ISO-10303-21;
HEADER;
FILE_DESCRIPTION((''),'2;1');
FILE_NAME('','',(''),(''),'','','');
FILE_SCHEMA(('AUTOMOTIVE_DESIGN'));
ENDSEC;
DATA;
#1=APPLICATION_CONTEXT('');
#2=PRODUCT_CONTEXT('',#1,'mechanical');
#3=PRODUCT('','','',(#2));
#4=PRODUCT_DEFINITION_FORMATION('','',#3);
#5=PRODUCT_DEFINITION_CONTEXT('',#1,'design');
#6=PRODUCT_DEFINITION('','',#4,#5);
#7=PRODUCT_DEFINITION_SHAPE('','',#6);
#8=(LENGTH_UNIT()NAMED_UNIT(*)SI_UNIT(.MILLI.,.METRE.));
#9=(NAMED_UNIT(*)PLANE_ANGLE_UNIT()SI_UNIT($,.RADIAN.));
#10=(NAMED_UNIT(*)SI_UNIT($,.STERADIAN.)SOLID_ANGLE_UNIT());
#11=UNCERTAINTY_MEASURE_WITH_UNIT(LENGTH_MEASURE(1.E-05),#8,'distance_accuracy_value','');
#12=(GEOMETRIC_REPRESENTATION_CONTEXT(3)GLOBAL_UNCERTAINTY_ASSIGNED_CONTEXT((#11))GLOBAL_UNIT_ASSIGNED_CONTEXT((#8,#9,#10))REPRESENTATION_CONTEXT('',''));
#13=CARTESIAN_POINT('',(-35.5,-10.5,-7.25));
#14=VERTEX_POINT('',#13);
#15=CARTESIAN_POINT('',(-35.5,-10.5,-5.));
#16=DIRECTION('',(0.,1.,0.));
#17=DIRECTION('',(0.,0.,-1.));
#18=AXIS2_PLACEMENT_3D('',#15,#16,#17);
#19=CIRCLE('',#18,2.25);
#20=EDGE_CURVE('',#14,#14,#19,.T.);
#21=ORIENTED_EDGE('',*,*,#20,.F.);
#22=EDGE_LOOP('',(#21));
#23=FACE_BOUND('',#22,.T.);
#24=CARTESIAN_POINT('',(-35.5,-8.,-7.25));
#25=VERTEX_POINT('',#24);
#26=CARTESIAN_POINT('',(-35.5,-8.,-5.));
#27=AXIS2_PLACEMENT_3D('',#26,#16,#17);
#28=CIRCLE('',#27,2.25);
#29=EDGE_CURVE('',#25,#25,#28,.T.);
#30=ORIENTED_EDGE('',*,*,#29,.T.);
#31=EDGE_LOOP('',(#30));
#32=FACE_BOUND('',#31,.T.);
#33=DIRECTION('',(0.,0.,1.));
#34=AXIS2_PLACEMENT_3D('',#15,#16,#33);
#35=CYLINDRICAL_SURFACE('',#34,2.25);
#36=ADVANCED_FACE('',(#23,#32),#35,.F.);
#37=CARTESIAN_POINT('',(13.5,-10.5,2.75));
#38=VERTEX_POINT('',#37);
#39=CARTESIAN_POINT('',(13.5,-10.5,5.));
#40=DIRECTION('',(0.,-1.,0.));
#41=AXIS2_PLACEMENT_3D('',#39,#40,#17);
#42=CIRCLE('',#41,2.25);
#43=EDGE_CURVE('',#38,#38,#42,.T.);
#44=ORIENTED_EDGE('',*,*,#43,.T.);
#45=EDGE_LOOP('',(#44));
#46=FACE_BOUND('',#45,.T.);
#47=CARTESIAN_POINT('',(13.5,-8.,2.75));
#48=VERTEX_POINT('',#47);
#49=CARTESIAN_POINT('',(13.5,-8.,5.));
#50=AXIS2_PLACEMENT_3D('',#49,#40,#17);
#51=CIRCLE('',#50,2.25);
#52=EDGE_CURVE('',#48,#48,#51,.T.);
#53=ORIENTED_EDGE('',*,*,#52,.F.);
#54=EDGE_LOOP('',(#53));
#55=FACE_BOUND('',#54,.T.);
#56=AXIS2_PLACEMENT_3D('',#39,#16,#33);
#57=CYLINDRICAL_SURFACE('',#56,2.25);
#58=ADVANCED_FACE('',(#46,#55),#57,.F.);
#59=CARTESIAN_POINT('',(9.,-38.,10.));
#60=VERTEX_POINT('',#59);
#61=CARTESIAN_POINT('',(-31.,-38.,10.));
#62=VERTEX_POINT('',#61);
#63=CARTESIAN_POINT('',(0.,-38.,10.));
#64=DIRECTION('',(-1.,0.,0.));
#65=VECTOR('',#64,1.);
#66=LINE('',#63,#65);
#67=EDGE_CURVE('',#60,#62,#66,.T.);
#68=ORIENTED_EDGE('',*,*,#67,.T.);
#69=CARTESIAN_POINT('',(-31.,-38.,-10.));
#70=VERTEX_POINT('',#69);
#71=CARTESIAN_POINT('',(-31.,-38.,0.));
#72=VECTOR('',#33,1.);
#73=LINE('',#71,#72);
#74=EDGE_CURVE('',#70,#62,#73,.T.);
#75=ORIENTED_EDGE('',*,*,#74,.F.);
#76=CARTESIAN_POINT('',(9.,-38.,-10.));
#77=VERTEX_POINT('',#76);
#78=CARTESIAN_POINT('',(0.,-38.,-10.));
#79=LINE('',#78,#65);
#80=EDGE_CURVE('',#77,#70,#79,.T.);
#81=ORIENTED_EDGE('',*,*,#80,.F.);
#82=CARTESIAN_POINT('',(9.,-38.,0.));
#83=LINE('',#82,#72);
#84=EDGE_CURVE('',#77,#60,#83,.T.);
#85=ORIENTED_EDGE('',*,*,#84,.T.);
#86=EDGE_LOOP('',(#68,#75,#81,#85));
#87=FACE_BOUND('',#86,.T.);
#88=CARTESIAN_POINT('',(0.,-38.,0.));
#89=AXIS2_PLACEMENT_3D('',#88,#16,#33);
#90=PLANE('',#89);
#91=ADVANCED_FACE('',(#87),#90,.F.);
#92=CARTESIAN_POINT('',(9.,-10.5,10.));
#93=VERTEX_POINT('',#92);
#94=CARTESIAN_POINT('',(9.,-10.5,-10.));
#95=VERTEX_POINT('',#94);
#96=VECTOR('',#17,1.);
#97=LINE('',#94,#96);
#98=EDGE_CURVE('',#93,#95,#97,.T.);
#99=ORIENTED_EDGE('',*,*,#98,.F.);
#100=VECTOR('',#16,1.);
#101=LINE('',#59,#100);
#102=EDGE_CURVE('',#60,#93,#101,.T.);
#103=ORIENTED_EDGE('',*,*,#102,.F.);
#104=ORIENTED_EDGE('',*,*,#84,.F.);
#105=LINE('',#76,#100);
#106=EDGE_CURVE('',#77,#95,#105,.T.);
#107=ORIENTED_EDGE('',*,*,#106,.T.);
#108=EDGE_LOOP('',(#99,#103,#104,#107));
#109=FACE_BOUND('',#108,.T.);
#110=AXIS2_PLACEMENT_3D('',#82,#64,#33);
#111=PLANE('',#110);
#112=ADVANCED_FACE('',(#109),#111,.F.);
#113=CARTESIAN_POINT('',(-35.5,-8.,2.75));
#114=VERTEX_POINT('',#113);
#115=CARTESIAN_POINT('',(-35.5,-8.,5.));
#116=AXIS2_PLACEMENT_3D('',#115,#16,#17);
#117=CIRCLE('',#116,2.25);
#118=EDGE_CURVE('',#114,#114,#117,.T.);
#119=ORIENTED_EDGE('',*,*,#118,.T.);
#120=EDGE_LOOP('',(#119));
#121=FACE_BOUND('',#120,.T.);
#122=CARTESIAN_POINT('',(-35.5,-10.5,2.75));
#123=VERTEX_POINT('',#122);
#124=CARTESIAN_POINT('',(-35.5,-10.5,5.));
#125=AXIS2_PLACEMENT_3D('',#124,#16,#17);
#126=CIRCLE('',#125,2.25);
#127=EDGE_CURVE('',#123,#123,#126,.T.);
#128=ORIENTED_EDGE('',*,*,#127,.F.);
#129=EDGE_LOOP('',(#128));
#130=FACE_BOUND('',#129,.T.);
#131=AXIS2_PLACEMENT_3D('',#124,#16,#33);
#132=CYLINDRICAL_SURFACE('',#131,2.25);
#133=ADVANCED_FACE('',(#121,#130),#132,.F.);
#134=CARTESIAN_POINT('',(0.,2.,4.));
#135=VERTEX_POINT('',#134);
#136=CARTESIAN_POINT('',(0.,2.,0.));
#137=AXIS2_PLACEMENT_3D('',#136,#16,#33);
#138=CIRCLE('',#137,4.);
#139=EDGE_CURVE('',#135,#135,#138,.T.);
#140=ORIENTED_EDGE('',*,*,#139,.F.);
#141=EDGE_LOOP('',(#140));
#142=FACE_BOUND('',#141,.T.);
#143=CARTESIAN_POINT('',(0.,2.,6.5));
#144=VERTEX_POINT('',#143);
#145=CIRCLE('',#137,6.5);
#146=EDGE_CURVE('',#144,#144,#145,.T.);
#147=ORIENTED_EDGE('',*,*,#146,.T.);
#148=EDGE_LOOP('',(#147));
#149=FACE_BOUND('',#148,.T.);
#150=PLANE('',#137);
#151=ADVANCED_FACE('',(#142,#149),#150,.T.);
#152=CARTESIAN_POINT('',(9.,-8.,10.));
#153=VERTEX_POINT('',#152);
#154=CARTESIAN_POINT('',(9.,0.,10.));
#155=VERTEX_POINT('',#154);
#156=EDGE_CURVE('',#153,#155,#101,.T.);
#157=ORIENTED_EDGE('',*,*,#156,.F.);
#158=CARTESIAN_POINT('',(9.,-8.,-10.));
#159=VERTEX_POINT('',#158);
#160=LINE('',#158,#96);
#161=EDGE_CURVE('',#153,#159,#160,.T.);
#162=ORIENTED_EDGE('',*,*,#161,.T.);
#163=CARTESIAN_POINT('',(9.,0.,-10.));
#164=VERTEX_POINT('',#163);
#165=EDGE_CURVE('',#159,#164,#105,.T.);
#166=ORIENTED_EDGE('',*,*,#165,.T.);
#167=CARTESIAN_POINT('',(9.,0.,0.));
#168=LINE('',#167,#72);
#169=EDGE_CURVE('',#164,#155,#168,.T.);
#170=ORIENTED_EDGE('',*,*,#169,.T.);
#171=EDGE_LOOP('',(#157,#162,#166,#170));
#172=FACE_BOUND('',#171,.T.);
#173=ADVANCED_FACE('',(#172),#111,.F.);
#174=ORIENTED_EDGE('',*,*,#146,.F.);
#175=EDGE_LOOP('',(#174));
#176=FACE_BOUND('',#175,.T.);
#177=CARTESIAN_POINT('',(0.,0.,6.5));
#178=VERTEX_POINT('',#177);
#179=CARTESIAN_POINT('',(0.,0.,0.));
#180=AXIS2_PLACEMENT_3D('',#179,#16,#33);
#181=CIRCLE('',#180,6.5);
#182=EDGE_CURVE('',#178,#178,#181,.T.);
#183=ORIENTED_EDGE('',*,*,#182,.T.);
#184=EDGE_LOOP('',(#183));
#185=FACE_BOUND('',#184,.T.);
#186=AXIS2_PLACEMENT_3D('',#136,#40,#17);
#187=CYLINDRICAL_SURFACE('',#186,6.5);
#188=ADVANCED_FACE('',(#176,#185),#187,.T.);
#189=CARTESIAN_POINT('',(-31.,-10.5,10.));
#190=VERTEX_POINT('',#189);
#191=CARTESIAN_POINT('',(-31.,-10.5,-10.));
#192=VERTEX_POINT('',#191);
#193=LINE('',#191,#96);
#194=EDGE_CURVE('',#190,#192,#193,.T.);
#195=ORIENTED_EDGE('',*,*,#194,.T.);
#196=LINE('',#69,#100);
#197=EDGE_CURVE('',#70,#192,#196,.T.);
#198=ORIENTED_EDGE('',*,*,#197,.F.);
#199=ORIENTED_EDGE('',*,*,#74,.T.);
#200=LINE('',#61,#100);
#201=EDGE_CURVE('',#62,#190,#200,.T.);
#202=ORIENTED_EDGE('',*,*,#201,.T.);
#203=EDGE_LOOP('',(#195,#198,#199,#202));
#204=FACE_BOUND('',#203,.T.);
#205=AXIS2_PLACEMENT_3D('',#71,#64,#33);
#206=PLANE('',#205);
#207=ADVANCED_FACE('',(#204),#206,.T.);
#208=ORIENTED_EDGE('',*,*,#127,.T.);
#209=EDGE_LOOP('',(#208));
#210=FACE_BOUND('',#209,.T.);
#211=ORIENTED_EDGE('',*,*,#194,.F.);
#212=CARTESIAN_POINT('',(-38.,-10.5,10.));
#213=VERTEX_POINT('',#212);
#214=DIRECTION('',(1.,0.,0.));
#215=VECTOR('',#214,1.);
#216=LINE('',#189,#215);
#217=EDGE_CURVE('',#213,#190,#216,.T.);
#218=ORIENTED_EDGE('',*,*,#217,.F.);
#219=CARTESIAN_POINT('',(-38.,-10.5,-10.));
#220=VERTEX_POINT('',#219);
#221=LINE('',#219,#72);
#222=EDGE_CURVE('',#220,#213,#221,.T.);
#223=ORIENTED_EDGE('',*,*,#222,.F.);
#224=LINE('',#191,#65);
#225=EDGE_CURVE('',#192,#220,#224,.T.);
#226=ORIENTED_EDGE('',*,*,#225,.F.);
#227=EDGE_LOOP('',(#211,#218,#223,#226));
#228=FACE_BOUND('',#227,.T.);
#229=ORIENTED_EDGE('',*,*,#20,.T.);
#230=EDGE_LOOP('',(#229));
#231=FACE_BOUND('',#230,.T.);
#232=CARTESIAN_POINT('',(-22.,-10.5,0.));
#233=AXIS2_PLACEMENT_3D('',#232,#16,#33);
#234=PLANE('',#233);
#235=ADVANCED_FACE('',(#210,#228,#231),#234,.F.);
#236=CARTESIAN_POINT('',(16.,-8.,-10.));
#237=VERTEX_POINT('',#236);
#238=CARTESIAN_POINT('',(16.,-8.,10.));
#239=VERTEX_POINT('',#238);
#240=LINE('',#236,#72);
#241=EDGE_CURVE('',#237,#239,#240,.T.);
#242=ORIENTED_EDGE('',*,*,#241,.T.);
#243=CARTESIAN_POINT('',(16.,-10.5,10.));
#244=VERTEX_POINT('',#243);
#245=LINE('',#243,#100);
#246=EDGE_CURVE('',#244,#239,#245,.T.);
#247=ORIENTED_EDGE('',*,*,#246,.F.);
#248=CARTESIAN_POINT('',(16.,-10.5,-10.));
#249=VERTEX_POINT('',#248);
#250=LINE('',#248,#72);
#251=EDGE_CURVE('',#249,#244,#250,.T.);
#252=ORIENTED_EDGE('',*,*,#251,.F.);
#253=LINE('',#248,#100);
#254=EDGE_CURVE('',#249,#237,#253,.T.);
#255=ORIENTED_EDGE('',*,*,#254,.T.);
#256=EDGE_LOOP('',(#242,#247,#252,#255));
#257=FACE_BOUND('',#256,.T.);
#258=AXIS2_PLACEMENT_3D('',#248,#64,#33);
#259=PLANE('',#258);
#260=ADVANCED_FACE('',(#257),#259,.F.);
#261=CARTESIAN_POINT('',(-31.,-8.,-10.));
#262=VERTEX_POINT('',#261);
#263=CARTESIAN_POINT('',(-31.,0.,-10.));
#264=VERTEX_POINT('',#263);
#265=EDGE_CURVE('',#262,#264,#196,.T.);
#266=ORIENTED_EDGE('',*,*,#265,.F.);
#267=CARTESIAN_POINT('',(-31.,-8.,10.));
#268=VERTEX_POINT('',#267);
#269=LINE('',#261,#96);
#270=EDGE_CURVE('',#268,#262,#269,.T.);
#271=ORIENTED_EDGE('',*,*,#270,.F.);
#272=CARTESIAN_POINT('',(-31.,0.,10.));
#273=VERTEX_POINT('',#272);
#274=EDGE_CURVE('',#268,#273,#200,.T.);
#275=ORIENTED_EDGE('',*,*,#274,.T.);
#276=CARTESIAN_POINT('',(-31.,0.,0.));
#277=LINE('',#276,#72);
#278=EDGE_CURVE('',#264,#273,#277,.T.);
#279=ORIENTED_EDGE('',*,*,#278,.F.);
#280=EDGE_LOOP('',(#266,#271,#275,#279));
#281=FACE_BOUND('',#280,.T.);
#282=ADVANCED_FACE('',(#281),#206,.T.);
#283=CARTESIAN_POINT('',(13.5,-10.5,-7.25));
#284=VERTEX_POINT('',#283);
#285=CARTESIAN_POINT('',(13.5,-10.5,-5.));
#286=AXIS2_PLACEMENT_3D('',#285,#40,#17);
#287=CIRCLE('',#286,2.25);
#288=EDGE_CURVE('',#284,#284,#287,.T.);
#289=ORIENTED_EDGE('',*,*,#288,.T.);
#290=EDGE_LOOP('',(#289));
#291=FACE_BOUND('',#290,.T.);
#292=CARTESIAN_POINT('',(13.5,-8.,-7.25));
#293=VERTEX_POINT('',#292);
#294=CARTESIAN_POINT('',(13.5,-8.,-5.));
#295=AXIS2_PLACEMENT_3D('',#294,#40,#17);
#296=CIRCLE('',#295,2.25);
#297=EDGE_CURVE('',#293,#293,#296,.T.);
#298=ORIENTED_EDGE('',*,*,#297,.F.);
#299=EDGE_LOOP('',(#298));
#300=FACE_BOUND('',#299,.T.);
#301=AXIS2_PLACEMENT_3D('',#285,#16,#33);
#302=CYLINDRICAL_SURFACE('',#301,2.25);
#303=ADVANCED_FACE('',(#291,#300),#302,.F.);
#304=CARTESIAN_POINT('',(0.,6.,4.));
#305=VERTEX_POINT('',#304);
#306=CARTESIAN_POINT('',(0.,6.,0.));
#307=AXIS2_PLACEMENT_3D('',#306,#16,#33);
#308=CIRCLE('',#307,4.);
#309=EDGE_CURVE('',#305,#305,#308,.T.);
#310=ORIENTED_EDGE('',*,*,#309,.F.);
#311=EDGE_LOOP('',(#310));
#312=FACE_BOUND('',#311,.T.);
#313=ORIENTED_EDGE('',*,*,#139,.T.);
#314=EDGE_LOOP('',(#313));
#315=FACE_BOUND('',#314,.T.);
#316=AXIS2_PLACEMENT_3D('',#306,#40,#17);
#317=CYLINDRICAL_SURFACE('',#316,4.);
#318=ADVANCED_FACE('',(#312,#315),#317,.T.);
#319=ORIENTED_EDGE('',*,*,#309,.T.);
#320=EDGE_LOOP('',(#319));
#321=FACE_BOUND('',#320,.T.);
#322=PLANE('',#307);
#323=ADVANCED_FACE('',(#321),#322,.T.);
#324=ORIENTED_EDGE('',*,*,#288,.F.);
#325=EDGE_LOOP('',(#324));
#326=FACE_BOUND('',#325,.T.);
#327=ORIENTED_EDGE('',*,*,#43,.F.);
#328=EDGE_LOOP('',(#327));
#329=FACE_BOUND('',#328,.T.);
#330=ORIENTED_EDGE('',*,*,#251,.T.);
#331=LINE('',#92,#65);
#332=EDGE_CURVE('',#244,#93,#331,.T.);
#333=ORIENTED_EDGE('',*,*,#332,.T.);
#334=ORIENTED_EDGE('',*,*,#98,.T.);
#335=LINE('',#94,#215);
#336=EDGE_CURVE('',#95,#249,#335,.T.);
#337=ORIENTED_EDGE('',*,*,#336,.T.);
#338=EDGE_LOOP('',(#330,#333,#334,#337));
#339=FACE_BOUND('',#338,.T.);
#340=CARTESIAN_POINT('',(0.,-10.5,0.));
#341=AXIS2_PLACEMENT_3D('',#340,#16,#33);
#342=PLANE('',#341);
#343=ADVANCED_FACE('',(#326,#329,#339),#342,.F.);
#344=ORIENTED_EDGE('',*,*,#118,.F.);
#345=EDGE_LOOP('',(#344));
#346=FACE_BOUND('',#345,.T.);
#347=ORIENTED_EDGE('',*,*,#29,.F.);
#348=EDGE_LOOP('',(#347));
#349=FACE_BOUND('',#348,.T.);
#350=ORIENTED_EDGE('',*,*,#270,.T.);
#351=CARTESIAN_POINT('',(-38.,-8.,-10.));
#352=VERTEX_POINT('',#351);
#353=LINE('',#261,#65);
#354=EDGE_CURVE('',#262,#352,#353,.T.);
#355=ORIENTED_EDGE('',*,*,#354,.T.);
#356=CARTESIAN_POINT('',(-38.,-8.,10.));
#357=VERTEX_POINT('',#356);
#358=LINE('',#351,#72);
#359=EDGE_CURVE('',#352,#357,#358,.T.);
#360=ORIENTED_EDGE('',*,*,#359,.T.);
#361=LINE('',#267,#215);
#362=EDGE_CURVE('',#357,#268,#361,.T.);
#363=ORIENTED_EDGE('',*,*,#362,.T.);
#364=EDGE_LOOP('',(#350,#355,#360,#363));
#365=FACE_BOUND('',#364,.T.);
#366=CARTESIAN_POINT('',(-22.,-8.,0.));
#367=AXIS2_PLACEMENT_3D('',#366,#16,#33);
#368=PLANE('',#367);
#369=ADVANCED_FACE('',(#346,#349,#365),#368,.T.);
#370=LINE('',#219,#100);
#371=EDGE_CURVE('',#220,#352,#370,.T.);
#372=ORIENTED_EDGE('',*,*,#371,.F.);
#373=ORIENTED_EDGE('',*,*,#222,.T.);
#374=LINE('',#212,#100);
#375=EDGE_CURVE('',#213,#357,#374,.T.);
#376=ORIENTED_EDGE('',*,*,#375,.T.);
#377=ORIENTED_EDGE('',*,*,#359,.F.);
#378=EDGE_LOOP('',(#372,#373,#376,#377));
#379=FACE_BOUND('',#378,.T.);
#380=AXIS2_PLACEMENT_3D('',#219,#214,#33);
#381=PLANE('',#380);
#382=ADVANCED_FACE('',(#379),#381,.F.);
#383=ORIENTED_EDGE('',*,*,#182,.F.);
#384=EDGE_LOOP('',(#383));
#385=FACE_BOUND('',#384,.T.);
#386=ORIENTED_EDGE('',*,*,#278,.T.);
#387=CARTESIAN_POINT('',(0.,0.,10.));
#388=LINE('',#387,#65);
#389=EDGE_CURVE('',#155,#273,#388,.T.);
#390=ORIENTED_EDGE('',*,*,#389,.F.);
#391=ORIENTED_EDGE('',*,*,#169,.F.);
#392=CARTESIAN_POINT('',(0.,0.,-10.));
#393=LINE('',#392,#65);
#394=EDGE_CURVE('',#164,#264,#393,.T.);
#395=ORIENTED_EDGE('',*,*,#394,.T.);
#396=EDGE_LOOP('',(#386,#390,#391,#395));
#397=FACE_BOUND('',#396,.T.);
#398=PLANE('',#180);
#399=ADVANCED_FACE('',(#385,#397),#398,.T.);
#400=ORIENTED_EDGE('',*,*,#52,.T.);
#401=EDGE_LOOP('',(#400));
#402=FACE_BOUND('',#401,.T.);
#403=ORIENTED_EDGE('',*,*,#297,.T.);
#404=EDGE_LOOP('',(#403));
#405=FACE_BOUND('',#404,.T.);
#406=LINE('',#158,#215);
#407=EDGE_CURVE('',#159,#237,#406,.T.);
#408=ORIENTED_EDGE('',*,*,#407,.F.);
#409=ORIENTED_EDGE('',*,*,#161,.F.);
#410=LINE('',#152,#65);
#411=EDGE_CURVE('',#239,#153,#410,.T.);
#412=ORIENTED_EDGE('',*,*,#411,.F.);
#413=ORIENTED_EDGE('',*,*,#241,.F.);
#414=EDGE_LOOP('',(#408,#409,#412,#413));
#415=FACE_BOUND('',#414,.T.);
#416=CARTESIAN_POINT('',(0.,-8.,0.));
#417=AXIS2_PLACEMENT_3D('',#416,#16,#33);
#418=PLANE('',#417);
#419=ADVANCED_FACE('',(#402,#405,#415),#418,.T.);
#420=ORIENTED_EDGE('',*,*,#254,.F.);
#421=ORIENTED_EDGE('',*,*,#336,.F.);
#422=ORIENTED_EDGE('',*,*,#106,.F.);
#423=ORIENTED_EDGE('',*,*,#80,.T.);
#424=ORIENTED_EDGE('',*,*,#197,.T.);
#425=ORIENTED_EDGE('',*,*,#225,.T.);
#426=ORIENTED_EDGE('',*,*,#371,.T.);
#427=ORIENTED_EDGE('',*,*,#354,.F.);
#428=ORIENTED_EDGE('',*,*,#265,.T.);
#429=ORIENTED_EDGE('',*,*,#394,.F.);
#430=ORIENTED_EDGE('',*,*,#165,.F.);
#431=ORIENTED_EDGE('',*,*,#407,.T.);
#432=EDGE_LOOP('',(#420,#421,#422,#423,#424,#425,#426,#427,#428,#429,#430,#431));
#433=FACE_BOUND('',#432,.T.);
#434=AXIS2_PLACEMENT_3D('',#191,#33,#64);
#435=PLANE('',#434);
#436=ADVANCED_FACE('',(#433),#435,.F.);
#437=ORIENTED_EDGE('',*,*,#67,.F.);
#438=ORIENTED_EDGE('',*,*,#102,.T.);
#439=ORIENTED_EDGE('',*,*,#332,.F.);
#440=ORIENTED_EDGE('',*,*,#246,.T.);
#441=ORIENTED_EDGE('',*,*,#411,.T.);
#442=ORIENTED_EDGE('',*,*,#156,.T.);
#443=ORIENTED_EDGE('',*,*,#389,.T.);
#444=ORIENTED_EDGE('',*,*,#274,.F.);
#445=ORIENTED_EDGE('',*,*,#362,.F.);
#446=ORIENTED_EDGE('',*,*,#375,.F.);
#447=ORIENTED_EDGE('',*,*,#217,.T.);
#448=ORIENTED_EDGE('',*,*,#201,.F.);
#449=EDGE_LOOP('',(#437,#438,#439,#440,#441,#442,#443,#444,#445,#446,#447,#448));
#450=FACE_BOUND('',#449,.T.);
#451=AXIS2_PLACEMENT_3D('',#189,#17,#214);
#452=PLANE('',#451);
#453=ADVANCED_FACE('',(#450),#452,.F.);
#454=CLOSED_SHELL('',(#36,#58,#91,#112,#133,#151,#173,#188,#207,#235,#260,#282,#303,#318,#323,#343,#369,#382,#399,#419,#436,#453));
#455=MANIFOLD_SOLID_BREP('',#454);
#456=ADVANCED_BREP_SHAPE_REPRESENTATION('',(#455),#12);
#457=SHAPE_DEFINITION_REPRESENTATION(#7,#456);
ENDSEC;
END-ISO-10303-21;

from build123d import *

# Parameters (mm, degrees)
SKETCH1_W           = 40
SKETCH1_H           = 20
BOSS_EXTRUDE1_DEPTH = 38
SKETCH1_3_R         = 4
BOSS_EXTRUDE2_DEPTH = 6
SKETCH2_R           = 6.5
BOSS_EXTRUDE3_DEPTH = 2
SKETCH3_W           = 7
SKETCH3_H           = 20
SKETCH3_R           = 2.25
BOSS_EXTRUDE4_DEPTH = 2.5


with BuildPart() as part:
    # Sketch1 → Boss-Extrude1 (new body)
    with BuildSketch(Plane(origin=(0, 0, 0), x_dir=(1, 0, 0), z_dir=(0, 1, 0))):
        with Locations((-11, 0)):
            Rectangle(SKETCH1_W, SKETCH1_H)
    extrude(amount=-BOSS_EXTRUDE1_DEPTH)

    # Sketch1<3> → Boss-Extrude2 (add)
    with BuildSketch(Plane(origin=(0, 0, 0), x_dir=(1, 0, 0), z_dir=(0, 1, 0))):
        Circle(SKETCH1_3_R)
    extrude(amount=BOSS_EXTRUDE2_DEPTH)

    # Sketch2 → Boss-Extrude3 (add)
    with BuildSketch(Plane(origin=(0, 0, 0), x_dir=(1, 0, 0), z_dir=(0, 1, 0))):
        Circle(SKETCH2_R)
    extrude(amount=BOSS_EXTRUDE3_DEPTH)


with BuildPart() as body_2:
    # Sketch3 → Boss-Extrude4 (new body)
    with BuildSketch(Plane(origin=(0, -8, 0), x_dir=(-1, 0, 0), z_dir=(0, -1, 0))):
        with Locations((-12.5, 0)):
            Rectangle(SKETCH3_W, SKETCH3_H)
        with Locations((-13.5, 5)):
            Circle(SKETCH3_R, mode=Mode.SUBTRACT)
        with Locations((-13.5, -5)):
            Circle(SKETCH3_R, mode=Mode.SUBTRACT)
    extrude(amount=BOSS_EXTRUDE4_DEPTH)


with BuildPart() as body_3:
    # Mirror1: mirrored copy
    add(body_2.part.mirror(Plane(origin=(-11, 0, 0), x_dir=(0, 0, 1), z_dir=(1, 0, 0))))

    # Combine1: union part, body 2
    add(part.part)
    add(body_2.part)


solid = body_3.part
